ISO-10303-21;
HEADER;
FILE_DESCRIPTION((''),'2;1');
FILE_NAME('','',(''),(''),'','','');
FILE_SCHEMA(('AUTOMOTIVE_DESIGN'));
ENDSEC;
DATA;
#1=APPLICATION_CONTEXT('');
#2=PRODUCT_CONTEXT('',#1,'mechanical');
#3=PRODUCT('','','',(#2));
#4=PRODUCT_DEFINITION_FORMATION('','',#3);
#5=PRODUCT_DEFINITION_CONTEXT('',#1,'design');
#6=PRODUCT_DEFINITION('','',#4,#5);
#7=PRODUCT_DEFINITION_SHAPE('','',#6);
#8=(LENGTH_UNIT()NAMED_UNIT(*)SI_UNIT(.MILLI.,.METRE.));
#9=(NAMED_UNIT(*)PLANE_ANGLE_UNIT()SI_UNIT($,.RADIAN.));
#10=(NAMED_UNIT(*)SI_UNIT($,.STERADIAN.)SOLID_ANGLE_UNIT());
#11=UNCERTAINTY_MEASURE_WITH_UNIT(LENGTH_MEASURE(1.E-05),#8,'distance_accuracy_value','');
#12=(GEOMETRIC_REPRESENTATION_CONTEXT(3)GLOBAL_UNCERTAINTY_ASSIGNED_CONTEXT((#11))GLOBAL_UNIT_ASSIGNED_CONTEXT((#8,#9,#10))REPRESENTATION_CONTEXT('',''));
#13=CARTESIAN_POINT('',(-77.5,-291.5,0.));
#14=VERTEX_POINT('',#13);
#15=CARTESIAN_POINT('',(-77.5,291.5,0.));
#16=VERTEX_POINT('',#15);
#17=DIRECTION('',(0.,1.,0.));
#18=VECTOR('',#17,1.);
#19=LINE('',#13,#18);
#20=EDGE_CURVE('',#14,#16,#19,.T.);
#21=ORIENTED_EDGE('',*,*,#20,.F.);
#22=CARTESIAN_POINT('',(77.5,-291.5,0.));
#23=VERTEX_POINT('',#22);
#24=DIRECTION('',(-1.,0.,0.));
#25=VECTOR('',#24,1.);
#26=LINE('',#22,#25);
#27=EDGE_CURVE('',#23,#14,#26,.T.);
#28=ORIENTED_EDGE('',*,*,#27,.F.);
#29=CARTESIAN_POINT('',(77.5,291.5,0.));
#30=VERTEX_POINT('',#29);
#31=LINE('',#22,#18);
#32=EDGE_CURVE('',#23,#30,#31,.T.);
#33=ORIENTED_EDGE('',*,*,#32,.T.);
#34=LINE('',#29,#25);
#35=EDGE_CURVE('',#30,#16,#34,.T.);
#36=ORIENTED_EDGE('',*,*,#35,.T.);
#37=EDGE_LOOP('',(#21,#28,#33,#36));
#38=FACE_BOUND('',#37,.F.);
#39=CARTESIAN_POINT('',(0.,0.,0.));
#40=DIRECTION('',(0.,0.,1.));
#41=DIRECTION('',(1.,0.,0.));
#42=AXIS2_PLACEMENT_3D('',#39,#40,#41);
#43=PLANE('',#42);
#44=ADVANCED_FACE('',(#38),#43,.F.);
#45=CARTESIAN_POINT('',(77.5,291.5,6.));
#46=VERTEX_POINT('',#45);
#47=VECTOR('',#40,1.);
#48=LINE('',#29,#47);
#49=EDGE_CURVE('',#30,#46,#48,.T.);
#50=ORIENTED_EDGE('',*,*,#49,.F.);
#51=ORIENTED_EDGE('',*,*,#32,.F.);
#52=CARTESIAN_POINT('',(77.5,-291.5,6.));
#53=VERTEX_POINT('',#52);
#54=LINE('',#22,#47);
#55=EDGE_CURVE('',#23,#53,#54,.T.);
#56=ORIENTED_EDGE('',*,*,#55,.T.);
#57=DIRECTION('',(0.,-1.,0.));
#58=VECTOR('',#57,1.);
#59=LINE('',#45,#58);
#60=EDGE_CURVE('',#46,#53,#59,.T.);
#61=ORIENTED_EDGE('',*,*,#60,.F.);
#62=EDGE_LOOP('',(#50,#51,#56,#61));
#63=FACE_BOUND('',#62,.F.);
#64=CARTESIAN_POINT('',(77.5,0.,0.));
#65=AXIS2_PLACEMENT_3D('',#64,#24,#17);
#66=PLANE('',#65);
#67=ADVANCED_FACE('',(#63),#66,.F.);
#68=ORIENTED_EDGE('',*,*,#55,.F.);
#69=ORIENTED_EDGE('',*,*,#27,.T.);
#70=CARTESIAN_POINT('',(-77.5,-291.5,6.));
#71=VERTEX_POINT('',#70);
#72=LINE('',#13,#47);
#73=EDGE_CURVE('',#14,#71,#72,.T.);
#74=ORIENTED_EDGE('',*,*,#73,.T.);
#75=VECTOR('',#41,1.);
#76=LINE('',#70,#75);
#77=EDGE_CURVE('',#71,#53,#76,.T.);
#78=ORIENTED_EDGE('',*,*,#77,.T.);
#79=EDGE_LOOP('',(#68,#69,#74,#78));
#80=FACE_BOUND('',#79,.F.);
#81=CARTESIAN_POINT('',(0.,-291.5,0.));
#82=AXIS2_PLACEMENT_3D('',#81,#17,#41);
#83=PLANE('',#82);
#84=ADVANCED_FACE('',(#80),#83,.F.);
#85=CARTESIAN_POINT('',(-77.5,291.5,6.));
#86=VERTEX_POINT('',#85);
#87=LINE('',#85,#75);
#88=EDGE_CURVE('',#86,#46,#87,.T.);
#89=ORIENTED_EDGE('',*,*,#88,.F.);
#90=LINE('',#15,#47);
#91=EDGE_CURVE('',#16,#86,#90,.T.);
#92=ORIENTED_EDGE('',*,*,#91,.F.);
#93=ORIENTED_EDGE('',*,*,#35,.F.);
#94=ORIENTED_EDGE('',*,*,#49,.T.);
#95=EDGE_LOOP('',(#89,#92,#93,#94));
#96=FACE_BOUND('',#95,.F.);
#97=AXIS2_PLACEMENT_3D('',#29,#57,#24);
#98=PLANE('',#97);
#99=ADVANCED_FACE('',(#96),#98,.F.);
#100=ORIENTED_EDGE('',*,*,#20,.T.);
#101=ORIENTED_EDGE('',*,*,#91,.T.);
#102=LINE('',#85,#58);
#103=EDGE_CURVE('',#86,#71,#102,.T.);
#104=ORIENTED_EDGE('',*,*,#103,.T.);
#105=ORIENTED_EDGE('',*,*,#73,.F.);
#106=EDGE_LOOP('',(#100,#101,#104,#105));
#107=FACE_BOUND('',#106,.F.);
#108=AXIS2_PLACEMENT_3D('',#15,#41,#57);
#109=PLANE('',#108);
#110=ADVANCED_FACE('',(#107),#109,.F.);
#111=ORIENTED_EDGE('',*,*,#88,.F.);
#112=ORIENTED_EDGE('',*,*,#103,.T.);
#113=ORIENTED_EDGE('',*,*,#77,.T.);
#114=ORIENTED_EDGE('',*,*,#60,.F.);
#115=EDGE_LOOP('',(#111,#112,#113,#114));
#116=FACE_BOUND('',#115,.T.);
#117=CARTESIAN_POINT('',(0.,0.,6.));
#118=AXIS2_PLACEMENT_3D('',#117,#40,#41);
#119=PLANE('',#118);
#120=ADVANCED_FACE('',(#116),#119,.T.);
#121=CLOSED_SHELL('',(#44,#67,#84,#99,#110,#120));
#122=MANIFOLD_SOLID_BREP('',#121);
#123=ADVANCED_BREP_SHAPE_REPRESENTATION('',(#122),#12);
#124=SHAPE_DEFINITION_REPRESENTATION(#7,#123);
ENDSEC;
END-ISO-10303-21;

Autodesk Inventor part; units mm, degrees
ref_plane "YZ Plane" through (0, 0, 0) normal (1, 0, 0) x (0, 1, 0)
ref_plane "XZ Plane" through (0, 0, 0) normal (0, 1, 0) x (-1, 0, 0)
ref_plane "XY Plane" through (0, 0, 0) normal (0, 0, 1) x (1, 0, 0)
sketch "Skizze1" plane through (0, 0, 0) normal (0, 0, 1) x (1, 0, 0)
  line L0 (0, 408.1) -> (0, -408.1) projected
  line L1 (-108.5, 0) -> (108.5, 0) projected
  line L2 (-77.5, -291.5) -> (77.5, -291.5)
  line L3 (77.5, -291.5) -> (77.5, 291.5)
  line L4 (77.5, 291.5) -> (-77.5, 291.5)
  line L5 (-77.5, 291.5) -> (-77.5, -291.5)
  point P0 (0, 0)
  point P1 (0, -291.5)
  point P2 (-77.5, 0)
  dimension "d0" = 583
  dimension "d1" = 155
extrude "Extrusion1" add sketch "Skizze1" along normal blind 6
properties part number "AccessFloor2" material "PVC-U"
